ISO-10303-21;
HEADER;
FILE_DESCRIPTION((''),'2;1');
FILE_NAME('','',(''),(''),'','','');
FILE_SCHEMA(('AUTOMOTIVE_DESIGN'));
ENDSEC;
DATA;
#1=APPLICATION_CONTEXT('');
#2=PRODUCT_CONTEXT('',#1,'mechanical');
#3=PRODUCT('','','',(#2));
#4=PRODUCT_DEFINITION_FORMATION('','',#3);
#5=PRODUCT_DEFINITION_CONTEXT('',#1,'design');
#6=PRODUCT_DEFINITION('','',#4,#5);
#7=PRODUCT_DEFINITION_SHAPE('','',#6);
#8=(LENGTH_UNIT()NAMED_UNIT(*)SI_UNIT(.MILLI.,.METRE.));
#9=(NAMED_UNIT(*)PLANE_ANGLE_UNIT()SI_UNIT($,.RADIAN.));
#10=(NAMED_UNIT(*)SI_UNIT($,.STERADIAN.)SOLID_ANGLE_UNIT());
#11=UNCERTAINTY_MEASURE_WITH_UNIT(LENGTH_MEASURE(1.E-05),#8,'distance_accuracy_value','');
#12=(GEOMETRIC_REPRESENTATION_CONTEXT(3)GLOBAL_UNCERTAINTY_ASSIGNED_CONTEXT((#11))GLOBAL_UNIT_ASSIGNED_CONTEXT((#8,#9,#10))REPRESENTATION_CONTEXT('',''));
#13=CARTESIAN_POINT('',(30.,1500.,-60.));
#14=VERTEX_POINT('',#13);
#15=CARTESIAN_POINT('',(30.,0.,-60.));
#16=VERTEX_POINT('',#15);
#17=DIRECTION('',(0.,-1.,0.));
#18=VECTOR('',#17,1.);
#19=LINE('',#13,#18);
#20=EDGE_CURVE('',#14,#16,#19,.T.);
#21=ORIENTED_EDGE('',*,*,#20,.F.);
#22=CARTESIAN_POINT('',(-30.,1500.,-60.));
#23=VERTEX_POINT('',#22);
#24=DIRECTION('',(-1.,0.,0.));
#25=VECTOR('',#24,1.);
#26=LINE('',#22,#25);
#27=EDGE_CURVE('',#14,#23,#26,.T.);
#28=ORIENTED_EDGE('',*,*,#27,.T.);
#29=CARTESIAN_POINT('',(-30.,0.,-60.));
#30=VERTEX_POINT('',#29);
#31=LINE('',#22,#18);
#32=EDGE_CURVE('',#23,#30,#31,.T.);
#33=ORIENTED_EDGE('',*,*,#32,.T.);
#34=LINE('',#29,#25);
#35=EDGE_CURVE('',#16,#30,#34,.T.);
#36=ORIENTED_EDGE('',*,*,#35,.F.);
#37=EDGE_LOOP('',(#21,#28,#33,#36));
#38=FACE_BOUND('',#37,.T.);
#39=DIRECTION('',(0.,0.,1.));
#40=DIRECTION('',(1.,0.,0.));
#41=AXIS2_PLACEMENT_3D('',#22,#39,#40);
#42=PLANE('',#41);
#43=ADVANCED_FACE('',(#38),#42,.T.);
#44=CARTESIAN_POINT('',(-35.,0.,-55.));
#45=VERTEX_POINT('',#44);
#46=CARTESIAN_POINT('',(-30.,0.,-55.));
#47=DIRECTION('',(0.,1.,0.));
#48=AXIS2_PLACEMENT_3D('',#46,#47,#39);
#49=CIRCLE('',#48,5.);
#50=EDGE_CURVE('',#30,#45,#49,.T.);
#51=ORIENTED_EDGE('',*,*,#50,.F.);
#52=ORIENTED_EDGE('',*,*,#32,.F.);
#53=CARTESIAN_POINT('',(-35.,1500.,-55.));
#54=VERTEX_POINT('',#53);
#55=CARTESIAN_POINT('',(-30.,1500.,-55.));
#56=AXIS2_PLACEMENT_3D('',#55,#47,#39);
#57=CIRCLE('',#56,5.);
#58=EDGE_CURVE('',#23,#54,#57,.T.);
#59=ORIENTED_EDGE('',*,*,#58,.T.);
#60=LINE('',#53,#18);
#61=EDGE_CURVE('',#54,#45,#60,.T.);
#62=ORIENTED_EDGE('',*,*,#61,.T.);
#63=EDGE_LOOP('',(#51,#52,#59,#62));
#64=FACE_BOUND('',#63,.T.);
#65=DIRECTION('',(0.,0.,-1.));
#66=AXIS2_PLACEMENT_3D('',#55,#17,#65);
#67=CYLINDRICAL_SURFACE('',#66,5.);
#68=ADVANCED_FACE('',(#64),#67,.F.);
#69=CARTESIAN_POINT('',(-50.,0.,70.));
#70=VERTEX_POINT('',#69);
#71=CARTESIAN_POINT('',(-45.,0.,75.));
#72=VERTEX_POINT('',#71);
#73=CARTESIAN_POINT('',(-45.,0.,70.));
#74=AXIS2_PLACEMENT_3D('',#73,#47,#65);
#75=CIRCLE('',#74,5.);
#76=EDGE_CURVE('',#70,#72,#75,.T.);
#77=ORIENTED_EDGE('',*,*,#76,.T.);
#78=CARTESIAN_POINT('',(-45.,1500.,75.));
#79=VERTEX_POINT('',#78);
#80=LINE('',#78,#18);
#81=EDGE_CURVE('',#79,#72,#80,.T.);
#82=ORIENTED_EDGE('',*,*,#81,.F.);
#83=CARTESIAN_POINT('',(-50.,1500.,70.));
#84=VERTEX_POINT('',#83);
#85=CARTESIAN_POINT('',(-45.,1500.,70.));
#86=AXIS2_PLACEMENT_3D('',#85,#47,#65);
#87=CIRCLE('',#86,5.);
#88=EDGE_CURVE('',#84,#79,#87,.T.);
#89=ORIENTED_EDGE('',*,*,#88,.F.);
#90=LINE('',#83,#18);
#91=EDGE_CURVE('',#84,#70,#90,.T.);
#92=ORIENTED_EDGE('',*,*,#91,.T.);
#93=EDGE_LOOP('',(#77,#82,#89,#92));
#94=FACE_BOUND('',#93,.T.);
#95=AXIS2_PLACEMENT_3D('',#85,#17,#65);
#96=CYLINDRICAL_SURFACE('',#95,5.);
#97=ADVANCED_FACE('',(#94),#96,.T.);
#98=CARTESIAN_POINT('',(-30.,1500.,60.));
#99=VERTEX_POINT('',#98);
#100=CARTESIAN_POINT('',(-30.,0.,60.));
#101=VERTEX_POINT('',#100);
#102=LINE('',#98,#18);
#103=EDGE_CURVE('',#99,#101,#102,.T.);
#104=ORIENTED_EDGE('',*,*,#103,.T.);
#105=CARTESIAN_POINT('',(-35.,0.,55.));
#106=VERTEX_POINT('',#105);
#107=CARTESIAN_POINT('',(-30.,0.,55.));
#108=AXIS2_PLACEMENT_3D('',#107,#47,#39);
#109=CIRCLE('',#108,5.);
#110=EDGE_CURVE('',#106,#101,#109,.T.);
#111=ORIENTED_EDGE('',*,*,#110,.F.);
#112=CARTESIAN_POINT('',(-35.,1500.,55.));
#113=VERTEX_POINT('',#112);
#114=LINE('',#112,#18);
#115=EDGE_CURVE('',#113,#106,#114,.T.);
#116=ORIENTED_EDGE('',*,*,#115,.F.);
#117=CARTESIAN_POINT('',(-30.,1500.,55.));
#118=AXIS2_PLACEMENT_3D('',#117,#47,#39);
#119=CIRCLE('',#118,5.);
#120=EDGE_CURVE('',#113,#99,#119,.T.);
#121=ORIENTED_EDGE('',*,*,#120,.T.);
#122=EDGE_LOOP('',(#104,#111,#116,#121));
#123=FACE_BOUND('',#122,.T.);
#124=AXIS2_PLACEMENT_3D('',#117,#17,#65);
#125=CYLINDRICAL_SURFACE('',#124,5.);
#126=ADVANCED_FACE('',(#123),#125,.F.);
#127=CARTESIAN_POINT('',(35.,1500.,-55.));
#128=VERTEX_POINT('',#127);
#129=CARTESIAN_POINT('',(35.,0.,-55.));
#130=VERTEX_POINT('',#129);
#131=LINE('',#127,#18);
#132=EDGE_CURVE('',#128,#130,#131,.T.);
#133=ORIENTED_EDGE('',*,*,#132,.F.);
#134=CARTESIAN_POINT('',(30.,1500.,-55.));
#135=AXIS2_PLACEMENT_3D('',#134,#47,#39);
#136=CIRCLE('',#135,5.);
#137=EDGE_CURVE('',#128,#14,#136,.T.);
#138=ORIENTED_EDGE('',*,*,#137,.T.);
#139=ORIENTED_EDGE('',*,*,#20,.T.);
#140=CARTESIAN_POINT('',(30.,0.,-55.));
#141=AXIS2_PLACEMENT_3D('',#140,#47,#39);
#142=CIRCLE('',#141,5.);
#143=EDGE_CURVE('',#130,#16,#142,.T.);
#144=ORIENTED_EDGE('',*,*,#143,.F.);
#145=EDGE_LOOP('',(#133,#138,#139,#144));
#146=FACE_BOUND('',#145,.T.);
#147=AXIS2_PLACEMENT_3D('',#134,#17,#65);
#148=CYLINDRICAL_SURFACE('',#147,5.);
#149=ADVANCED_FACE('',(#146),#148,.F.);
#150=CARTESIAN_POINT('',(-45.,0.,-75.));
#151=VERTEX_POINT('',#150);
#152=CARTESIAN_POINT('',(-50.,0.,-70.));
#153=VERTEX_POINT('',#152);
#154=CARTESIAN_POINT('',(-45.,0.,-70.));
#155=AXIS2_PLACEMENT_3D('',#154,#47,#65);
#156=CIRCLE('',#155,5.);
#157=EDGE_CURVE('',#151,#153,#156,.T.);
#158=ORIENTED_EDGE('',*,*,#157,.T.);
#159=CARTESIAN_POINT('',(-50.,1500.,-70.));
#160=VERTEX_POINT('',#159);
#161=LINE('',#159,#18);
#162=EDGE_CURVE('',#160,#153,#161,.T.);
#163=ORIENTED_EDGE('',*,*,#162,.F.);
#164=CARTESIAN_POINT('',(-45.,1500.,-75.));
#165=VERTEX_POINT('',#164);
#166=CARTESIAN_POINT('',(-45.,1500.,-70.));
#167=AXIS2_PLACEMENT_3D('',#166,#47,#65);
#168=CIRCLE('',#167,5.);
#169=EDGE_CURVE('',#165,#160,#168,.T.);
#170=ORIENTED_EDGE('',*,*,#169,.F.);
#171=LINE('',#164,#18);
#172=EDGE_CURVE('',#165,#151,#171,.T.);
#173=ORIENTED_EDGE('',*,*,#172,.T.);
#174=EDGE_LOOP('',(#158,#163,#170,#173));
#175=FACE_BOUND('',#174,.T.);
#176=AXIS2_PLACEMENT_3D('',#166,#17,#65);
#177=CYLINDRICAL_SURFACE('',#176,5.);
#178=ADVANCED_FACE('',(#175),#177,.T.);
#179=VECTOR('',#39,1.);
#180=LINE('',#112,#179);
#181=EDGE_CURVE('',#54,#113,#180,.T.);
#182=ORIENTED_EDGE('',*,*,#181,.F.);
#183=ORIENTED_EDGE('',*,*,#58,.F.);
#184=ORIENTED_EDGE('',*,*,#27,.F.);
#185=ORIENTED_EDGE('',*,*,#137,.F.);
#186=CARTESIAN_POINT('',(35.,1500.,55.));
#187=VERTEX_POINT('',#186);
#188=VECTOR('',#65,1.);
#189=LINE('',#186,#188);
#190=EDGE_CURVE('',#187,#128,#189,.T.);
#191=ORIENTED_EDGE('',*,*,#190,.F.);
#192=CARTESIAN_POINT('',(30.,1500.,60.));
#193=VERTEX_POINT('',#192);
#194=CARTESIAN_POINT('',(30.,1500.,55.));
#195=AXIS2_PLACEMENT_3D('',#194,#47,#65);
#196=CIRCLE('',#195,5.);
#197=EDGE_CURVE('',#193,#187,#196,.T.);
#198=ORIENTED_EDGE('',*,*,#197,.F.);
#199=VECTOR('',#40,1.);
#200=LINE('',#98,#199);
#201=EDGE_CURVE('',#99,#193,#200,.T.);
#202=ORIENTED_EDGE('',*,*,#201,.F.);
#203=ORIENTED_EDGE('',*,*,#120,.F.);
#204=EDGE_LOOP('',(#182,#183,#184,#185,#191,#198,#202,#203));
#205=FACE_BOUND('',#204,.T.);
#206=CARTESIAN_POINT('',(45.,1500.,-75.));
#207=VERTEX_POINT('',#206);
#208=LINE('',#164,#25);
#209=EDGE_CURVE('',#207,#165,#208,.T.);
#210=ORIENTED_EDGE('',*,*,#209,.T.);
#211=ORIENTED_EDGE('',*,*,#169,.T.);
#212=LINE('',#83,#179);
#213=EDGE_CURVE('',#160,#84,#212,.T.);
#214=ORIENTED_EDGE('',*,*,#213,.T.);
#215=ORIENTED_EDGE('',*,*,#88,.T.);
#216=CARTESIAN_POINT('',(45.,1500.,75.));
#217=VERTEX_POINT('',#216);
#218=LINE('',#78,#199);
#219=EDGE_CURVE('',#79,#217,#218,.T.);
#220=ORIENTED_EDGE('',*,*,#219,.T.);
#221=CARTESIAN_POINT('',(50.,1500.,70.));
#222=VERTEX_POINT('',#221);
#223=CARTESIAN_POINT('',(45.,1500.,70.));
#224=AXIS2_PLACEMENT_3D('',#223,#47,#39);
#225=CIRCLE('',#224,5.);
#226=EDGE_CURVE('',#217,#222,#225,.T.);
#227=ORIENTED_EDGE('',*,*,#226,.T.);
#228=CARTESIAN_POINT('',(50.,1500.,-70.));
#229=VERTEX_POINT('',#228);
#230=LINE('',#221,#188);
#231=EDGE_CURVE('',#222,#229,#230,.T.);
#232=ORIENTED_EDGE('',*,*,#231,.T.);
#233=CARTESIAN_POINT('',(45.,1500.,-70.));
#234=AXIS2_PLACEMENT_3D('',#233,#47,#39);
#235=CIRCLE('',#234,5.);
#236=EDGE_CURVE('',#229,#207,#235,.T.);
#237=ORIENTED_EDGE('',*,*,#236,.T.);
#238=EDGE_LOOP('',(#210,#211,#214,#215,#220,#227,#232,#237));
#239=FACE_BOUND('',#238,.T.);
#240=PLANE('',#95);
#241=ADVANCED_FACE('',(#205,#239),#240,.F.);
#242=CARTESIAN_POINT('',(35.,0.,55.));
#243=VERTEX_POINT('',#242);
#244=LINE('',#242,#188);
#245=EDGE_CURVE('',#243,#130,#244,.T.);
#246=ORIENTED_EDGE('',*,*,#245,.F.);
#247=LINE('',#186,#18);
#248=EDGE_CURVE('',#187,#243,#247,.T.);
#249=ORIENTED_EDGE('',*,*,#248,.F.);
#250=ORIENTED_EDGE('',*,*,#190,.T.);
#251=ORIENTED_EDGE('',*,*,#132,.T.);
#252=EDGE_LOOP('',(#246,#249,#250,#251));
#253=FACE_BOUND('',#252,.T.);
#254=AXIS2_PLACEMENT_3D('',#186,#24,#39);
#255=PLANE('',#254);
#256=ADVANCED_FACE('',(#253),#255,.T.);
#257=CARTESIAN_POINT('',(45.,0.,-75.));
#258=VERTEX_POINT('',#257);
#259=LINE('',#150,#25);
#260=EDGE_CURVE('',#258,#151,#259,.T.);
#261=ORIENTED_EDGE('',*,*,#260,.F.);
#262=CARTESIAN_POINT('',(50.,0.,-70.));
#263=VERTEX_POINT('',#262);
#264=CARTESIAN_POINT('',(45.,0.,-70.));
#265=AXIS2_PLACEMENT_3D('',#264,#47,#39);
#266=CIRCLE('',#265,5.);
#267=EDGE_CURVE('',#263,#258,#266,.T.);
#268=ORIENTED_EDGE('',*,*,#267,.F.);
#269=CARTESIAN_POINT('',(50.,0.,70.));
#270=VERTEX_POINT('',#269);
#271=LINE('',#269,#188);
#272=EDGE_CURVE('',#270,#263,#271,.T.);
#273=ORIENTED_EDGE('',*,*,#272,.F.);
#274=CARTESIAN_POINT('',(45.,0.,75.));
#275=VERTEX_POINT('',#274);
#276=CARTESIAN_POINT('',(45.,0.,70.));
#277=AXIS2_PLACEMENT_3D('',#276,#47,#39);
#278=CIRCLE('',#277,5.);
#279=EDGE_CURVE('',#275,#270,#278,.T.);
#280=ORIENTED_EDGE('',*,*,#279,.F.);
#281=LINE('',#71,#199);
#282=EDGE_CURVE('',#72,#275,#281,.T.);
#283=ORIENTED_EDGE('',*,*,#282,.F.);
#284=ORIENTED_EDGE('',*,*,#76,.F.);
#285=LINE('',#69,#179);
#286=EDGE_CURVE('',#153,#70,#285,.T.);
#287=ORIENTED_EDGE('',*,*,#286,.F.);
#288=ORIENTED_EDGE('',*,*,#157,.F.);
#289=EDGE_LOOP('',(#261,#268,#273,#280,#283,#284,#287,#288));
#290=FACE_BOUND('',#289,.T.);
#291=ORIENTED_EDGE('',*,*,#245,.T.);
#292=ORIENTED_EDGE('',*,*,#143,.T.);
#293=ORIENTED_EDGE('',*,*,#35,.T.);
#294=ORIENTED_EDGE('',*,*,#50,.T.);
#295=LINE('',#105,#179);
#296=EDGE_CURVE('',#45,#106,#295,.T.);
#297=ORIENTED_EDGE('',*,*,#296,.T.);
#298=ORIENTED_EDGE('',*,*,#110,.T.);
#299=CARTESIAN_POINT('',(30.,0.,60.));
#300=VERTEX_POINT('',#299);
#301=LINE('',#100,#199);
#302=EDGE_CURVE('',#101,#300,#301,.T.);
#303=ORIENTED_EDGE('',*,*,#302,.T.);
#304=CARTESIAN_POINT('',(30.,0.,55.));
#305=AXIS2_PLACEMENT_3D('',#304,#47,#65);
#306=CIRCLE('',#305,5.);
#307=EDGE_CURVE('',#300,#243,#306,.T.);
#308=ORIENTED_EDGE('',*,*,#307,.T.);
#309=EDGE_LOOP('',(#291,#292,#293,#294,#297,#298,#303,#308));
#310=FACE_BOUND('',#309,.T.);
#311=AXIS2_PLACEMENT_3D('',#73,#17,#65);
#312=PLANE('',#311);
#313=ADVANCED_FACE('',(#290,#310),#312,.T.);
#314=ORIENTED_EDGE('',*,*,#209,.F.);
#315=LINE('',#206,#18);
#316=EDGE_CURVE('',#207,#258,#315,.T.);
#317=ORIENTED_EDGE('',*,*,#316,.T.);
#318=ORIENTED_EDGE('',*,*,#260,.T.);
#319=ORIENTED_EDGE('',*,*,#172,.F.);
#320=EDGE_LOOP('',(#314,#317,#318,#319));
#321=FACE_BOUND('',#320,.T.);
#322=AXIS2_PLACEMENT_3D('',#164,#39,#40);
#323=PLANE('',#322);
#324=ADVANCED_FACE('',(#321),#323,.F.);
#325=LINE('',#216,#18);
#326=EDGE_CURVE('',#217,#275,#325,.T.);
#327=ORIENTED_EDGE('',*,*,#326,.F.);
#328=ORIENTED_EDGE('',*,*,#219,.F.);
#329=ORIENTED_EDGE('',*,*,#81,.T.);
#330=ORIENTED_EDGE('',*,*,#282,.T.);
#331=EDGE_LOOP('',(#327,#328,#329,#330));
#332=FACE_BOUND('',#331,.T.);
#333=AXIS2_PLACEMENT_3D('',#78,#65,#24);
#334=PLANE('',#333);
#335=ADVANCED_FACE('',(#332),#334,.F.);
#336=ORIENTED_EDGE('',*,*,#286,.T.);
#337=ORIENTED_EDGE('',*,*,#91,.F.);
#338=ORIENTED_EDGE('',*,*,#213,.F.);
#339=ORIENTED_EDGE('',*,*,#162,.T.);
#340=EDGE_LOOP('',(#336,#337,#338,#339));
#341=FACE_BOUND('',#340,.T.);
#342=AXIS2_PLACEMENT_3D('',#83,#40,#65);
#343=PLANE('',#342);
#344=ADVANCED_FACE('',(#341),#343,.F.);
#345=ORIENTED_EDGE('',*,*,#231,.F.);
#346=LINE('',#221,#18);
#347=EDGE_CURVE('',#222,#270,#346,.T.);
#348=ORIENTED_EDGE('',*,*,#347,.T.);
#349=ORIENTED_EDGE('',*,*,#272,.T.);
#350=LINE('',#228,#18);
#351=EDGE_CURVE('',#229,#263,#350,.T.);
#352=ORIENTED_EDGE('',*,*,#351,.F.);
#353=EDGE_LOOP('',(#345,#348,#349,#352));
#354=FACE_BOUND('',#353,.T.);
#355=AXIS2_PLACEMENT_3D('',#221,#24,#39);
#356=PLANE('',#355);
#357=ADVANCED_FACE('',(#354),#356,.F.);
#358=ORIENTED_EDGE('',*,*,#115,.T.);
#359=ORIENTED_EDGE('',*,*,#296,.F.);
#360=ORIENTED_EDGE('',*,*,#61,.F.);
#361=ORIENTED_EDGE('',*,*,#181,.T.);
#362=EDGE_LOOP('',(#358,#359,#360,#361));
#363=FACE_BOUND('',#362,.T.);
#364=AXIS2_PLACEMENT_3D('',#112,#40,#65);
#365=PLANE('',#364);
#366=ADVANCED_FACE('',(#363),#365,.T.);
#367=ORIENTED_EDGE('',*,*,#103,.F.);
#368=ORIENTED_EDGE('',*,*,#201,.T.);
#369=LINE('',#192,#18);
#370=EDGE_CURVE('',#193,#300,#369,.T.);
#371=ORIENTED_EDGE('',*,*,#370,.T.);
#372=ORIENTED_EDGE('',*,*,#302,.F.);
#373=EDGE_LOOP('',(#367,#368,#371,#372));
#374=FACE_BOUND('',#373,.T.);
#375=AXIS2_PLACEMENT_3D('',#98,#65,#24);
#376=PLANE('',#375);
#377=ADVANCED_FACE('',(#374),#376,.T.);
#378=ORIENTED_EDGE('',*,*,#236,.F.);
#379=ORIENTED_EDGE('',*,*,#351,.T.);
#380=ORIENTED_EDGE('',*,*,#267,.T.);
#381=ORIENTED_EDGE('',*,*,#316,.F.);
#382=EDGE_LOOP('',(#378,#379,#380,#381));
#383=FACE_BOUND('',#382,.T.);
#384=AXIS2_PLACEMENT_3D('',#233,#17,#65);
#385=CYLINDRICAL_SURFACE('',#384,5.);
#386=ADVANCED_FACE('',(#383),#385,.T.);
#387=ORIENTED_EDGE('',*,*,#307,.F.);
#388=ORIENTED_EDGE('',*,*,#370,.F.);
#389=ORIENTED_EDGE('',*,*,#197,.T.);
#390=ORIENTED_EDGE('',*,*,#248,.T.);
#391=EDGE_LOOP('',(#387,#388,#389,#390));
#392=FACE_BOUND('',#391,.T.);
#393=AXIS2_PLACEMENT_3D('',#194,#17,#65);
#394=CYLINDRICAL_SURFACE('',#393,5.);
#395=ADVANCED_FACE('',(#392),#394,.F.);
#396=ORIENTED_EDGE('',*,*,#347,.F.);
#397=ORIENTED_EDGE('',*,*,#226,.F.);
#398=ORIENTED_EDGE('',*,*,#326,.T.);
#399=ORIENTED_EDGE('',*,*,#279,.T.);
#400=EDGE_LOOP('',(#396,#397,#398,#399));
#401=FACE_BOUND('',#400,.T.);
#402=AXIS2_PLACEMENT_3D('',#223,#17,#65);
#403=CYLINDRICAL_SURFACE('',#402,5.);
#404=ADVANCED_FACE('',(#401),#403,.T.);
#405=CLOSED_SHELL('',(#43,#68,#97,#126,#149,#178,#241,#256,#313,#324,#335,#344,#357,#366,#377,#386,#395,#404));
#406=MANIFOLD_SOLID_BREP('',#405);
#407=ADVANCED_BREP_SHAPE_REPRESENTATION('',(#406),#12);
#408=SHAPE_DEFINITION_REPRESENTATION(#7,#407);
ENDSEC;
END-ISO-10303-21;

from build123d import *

# Parameters (mm, degrees)
BOSS_EXTRUDE1_DEPTH = 1500


with BuildPart() as part:
    # Sketch1 → Boss-Extrude1 (new body)
    with BuildSketch(Plane(origin=(0, 0, 0), x_dir=(1, 0, 0), z_dir=(0, 1, 0))):
        with BuildLine():
            Line((-45, -75), (45, -75))
            ThreePointArc((45, -75), (48.535533906, -73.535533906), (50, -70))
            Line((50, -70), (50, 70))
            ThreePointArc((50, 70), (48.535533906, 73.535533906), (45, 75))
            Line((45, 75), (-45, 75))
            ThreePointArc((-45, 75), (-48.535533906, 73.535533906), (-50, 70))
            Line((-50, 70), (-50, -70))
            ThreePointArc((-50, -70), (-48.535533906, -73.535533906), (-45, -75))
        make_face()
        with BuildLine():
            Line((-30, -60), (30, -60))
            ThreePointArc((30, -60), (33.535533906, -58.535533906), (35, -55))
            Line((35, -55), (35, 55))
            ThreePointArc((35, 55), (33.535533906, 58.535533906), (30, 60))
            Line((30, 60), (-30, 60))
            ThreePointArc((-30, 60), (-33.535533906, 58.535533906), (-35, 55))
            Line((-35, 55), (-35, -55))
            ThreePointArc((-35, -55), (-33.535533906, -58.535533906), (-30, -60))
        make_face(mode=Mode.SUBTRACT)
    extrude(amount=BOSS_EXTRUDE1_DEPTH)


solid = part.part
